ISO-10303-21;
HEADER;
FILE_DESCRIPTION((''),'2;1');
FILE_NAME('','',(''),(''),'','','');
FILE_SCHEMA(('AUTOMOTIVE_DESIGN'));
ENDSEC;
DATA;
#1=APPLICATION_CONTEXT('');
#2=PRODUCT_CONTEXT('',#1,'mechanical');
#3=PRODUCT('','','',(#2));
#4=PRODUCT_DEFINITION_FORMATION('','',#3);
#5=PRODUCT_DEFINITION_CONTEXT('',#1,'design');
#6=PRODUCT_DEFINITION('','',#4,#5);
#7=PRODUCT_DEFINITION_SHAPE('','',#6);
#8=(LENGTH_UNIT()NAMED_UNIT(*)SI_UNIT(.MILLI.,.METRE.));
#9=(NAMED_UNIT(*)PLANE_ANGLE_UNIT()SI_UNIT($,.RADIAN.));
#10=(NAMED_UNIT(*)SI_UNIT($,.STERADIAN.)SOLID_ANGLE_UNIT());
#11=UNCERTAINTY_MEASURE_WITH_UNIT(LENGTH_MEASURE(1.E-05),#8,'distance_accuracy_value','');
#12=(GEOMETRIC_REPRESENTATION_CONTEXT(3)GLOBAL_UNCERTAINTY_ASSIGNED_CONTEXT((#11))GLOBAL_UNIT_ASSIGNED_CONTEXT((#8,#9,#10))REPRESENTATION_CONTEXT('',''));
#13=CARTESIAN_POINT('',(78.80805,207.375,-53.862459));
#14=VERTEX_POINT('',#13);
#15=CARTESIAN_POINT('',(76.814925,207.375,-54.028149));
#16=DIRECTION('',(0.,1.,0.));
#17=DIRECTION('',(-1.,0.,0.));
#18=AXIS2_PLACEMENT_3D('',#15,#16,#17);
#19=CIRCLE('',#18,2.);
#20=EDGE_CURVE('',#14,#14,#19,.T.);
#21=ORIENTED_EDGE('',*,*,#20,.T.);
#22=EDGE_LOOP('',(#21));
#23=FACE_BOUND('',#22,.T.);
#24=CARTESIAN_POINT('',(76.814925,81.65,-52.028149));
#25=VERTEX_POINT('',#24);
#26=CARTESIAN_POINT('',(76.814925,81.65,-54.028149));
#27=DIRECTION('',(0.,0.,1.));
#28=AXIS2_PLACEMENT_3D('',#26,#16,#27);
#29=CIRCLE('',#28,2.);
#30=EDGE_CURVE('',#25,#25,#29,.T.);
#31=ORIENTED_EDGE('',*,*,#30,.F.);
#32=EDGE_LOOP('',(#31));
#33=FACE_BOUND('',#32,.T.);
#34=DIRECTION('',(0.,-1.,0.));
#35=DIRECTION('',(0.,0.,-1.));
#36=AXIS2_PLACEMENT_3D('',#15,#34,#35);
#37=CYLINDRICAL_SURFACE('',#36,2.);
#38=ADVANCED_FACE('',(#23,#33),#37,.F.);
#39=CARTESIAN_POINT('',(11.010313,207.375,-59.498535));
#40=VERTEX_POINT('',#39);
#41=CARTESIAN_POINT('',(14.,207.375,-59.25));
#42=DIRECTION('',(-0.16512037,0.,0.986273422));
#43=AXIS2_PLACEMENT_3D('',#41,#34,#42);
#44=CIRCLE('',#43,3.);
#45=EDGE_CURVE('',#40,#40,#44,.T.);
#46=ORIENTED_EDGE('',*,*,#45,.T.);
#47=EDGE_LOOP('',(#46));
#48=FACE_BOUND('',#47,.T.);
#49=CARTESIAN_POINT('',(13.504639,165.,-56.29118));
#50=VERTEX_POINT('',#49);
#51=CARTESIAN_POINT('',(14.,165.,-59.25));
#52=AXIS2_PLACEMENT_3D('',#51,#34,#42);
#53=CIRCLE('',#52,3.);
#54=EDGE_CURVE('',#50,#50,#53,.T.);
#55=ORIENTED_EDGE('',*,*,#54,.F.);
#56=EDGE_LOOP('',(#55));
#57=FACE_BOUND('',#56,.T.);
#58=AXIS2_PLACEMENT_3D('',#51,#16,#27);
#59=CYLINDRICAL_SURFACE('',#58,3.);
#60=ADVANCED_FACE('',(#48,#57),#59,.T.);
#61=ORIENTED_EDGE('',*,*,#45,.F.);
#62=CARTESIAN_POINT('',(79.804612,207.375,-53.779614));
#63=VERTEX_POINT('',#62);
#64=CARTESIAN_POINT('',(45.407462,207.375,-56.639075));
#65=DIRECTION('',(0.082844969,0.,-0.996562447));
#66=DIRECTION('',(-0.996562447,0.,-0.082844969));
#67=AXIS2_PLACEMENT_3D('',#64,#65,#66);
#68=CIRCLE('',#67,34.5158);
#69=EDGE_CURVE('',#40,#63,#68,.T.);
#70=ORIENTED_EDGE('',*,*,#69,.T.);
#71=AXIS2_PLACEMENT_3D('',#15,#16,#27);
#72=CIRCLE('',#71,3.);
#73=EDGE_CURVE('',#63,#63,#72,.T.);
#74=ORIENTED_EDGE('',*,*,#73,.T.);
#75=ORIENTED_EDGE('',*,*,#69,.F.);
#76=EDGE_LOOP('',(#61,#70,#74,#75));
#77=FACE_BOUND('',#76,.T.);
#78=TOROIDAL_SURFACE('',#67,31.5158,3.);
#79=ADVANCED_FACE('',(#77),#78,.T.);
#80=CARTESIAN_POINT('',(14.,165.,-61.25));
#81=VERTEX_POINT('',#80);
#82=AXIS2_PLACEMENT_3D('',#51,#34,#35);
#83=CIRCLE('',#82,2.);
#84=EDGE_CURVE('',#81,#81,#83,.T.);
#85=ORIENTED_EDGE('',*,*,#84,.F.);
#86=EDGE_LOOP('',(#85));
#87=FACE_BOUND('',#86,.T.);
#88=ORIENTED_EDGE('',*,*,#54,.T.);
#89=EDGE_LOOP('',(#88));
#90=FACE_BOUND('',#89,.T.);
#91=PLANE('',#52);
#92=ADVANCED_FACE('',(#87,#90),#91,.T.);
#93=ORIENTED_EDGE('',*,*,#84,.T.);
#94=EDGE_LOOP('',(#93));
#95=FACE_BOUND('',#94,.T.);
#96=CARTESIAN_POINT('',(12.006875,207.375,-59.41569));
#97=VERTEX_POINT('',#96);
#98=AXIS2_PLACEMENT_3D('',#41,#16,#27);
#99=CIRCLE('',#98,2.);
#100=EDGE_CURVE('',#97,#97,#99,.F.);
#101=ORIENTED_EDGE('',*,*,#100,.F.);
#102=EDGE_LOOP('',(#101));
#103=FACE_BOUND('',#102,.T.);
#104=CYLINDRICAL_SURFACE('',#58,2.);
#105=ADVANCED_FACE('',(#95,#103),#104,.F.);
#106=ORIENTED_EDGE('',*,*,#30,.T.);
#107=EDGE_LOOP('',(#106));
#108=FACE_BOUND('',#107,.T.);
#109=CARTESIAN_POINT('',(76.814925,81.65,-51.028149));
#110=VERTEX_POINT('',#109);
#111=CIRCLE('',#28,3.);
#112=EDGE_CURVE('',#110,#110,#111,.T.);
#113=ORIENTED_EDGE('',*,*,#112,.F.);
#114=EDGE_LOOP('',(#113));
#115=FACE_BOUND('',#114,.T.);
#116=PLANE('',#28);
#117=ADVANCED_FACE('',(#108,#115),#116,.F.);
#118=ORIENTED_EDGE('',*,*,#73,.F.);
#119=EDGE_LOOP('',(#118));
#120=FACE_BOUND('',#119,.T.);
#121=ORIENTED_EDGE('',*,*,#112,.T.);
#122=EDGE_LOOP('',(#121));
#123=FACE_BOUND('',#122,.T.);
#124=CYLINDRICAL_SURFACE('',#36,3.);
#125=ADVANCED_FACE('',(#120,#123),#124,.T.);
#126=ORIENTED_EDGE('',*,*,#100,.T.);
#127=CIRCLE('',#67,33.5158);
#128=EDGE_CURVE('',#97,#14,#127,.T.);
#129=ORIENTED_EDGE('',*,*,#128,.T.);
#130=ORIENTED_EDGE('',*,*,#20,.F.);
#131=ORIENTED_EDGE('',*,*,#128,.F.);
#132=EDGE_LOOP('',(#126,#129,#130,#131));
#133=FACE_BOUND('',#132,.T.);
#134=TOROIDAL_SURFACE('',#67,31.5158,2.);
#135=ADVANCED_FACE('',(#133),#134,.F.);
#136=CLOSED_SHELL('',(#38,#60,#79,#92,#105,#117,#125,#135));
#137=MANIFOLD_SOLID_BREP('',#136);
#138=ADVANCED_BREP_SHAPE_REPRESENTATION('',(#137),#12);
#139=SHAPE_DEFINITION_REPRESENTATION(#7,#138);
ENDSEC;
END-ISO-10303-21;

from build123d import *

# Parameters (mm, degrees)
BALAYAGE_MINCE1_PROFILE_R   = 3
BALAYAGE_MINCE1_PROFILE_R_2 = 2


with BuildPart() as part:
    # Balayage-Mince1: sweep along a curve in space
    with BuildLine() as balayage_mince1_path:
        Line((14, 165, -59.25), (14, 207.375, -59.25))
        ThreePointArc((14, 207.375, -59.25), (45.407462351, 238.890799577, -56.639074556), (76.814924701, 207.375, -54.028149113))
        Line((76.814924701, 207.375, -54.028149113), (76.814924701, 81.65, -54.028149113))
    # Balayage-Mince1 profile (on start of the path) → Balayage-Mince1 (sweep)
    with BuildSketch(Plane(origin=(14, 165, -59.25), x_dir=(0, 0, 1), z_dir=(0, 1, 0))):
        Circle(BALAYAGE_MINCE1_PROFILE_R)
        Circle(BALAYAGE_MINCE1_PROFILE_R_2, mode=Mode.SUBTRACT)
    sweep(path=balayage_mince1_path.line)


solid = part.part
